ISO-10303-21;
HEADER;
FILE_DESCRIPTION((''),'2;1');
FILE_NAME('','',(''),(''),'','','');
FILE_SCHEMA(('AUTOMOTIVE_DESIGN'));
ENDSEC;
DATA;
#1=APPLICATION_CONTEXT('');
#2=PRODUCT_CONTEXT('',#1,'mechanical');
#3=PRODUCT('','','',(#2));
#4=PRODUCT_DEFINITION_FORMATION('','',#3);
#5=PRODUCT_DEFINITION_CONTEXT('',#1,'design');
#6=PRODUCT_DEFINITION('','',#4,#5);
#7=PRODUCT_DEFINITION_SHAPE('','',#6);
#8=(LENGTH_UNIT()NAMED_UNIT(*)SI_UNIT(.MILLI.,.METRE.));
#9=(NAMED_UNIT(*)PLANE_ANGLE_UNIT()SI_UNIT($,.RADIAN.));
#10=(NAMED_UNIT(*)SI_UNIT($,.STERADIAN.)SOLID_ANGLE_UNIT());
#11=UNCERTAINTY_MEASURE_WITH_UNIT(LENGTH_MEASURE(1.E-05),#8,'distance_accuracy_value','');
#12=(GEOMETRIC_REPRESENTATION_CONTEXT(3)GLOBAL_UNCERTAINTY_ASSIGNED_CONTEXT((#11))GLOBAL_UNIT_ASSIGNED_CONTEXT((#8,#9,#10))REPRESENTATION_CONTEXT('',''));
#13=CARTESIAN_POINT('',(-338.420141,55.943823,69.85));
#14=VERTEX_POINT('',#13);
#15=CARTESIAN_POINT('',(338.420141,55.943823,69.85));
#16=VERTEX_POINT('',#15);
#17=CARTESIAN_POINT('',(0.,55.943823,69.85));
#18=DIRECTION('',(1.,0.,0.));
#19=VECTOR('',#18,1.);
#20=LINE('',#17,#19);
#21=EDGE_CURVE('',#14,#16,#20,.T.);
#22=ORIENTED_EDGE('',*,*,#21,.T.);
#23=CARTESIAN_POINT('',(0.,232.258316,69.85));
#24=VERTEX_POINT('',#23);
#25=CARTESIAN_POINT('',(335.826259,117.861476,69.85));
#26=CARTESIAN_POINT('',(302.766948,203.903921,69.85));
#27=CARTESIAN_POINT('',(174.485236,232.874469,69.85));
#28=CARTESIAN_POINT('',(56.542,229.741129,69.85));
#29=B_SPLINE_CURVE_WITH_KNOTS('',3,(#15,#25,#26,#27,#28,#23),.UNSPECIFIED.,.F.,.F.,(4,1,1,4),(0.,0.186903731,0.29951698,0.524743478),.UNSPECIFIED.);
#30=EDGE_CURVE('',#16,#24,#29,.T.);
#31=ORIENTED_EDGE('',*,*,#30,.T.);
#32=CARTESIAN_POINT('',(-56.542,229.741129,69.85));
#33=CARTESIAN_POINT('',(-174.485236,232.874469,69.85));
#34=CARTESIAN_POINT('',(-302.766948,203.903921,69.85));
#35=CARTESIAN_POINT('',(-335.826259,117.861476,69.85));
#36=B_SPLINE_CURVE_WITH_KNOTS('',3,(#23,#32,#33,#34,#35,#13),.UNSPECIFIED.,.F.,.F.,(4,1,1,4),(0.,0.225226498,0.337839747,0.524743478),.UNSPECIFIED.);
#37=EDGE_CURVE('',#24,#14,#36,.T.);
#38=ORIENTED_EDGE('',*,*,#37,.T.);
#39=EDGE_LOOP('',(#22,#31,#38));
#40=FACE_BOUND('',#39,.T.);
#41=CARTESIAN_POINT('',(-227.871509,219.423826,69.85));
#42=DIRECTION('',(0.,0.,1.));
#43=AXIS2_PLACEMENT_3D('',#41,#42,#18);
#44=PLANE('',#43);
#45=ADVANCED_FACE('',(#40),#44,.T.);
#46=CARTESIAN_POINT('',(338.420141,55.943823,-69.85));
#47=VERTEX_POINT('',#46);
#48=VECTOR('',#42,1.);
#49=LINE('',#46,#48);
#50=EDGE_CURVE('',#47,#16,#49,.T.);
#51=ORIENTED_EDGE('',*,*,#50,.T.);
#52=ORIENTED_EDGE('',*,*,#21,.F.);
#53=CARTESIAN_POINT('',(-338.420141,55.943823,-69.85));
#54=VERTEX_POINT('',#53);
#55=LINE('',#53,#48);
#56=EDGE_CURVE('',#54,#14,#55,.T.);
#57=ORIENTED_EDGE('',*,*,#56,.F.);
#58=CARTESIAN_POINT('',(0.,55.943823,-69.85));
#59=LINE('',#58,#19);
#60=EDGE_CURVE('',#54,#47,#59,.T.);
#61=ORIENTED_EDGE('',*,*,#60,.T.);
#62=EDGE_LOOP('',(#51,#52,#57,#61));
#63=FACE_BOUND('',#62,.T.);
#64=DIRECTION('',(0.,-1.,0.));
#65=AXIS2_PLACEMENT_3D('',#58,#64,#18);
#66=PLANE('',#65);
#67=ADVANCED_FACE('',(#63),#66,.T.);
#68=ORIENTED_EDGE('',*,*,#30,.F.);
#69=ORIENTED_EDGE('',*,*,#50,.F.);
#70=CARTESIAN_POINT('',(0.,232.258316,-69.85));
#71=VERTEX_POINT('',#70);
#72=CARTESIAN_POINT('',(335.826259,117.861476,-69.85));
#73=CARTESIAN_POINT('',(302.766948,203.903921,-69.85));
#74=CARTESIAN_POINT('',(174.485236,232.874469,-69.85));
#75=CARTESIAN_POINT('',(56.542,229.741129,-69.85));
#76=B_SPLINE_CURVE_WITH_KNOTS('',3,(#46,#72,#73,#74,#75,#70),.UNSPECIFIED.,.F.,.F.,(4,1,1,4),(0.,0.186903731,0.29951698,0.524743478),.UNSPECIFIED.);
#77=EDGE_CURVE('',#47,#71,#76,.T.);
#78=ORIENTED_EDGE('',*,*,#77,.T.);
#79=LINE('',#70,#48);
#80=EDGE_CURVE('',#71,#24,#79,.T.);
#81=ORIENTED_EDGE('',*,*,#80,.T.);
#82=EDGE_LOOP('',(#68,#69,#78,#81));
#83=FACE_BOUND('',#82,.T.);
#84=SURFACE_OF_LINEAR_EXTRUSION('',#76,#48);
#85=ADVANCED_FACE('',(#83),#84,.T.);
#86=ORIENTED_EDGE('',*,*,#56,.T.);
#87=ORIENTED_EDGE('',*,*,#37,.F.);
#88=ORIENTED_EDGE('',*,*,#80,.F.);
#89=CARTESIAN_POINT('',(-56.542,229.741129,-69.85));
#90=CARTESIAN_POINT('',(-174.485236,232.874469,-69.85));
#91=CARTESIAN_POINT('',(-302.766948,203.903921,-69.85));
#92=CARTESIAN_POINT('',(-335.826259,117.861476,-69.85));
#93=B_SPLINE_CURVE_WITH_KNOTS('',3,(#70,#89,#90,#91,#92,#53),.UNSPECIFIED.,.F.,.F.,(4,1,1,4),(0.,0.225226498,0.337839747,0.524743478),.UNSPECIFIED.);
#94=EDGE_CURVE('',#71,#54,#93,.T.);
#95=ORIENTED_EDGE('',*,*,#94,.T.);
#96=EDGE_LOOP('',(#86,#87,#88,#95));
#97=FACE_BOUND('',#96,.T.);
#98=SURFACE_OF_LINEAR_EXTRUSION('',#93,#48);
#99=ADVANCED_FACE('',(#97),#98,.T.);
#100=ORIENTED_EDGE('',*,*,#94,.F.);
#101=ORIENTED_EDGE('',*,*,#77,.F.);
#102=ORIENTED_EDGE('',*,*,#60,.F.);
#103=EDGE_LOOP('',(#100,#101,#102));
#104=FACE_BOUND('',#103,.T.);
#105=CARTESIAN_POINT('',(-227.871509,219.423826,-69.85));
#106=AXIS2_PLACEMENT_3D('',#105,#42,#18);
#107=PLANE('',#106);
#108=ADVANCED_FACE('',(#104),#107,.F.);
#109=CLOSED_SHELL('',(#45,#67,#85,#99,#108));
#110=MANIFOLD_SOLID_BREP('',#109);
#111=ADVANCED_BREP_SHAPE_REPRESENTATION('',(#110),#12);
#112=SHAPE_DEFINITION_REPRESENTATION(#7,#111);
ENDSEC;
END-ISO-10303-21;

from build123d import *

# Parameters (mm, degrees)
BOSS_EXTRUDE1_DEPTH      = 69.85
BOSS_EXTRUDE1_DEPTH_BACK = 69.85


with BuildPart() as part:
    # Sketch1 → Boss-Extrude1 (new, two sides: drawn at the far end of the back side and taken through both)
    with BuildSketch(Plane.XY.offset(-BOSS_EXTRUDE1_DEPTH_BACK)):
        with BuildLine():
            Line((0, 55.943822519), (-338.420140941, 55.943822519))
            add(Edge.make_bspline(
                [(0, 232.258315543), (-56.542000297, 229.74112864), (-174.485235663, 232.87446935), (-302.766948324, 203.903921333), (-335.826259434, 117.861475814), (-338.420140941, 55.943822519)],
                knots=[0, 0, 0, 0, 0.225226498, 0.337839747, 0.524743478, 0.524743478, 0.524743478, 0.524743478], degree=3))
            add(Edge.make_bspline(
                [(0, 232.258315543), (56.542000297, 229.74112864), (174.485235663, 232.87446935), (302.766948324, 203.903921333), (335.826259434, 117.861475814), (338.420140941, 55.943822519)],
                knots=[0, 0, 0, 0, 0.225226498, 0.337839747, 0.524743478, 0.524743478, 0.524743478, 0.524743478], degree=3))
            Line((338.420140941, 55.943822519), (0, 55.943822519))
        make_face()
    extrude(amount=BOSS_EXTRUDE1_DEPTH + BOSS_EXTRUDE1_DEPTH_BACK)


solid = part.part
